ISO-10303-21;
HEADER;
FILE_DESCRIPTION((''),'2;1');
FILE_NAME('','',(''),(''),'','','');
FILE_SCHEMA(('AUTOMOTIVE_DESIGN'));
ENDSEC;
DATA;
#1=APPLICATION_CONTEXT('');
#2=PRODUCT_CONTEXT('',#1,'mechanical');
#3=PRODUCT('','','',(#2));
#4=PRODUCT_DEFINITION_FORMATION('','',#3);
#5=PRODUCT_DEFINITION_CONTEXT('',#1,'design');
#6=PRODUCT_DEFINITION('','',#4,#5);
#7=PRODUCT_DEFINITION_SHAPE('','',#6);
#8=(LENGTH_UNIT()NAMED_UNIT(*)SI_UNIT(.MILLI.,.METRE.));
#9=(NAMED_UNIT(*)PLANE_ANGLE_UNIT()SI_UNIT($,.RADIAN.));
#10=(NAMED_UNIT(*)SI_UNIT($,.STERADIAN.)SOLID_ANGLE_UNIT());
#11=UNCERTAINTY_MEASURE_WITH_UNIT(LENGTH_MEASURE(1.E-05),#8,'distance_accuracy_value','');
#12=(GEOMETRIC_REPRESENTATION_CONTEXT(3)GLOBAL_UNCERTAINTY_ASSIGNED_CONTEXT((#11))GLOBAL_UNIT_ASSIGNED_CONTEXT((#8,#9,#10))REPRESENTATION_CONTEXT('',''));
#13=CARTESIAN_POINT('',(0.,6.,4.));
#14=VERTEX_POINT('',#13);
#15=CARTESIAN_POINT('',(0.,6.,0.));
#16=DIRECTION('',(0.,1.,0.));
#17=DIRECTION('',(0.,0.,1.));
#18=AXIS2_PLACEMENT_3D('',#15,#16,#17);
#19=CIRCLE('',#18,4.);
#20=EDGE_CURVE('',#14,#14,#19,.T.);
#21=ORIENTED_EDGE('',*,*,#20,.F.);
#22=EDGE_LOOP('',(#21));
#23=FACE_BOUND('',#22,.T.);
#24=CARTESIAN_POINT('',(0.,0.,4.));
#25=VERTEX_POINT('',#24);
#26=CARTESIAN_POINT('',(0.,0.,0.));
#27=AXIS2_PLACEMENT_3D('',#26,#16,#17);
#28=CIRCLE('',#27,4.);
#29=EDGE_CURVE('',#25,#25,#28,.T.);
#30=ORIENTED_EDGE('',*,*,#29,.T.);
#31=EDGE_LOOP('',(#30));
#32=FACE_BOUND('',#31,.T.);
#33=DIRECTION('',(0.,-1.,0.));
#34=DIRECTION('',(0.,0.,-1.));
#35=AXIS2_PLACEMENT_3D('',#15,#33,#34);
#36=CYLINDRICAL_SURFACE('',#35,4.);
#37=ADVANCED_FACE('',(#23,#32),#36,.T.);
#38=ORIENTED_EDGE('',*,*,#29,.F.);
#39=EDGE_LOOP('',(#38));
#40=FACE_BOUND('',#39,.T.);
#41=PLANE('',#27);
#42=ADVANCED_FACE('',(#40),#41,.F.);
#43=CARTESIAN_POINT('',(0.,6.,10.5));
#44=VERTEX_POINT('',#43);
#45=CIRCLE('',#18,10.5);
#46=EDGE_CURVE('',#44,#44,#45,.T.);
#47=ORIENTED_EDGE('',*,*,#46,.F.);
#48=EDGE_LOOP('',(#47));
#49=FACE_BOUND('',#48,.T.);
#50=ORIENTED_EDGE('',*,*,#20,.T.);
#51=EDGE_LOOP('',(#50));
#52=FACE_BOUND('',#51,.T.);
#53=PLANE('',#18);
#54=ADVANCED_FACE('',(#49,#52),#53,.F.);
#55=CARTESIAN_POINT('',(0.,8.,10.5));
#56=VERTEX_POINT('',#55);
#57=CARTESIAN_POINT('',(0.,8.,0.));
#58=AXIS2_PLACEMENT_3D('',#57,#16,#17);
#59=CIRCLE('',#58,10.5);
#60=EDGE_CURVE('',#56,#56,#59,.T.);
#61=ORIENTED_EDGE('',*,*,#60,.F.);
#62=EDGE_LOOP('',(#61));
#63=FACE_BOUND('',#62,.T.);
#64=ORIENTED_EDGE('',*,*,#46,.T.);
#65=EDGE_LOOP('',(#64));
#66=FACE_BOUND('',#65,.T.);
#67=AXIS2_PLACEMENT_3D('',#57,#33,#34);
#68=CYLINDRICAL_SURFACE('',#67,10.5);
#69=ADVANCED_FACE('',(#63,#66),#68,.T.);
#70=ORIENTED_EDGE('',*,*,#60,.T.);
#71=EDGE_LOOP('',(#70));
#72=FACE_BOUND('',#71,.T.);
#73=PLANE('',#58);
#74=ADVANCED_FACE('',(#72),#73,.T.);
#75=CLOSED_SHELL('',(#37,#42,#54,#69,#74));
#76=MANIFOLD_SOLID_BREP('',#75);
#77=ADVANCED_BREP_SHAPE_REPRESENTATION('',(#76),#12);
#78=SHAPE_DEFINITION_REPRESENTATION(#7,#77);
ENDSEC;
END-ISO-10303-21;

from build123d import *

# Parameters (mm, degrees)
SKETCH1_R           = 4
BOSS_EXTRUDE1_DEPTH = 6
SKETCH2_R           = 10.5
BOSS_EXTRUDE2_DEPTH = 2


with BuildPart() as part:
    # Sketch1 → Boss-Extrude1 (new body)
    with BuildSketch(Plane(origin=(0, 0, 0), x_dir=(1, 0, 0), z_dir=(0, 1, 0))):
        Circle(SKETCH1_R)
    extrude(amount=BOSS_EXTRUDE1_DEPTH)

    # Sketch2 → Boss-Extrude2 (add)
    with BuildSketch(Plane(origin=(0, 6, 0), x_dir=(1, 0, 0), z_dir=(0, 1, 0))):
        Circle(SKETCH2_R)
    extrude(amount=BOSS_EXTRUDE2_DEPTH)


solid = part.part
